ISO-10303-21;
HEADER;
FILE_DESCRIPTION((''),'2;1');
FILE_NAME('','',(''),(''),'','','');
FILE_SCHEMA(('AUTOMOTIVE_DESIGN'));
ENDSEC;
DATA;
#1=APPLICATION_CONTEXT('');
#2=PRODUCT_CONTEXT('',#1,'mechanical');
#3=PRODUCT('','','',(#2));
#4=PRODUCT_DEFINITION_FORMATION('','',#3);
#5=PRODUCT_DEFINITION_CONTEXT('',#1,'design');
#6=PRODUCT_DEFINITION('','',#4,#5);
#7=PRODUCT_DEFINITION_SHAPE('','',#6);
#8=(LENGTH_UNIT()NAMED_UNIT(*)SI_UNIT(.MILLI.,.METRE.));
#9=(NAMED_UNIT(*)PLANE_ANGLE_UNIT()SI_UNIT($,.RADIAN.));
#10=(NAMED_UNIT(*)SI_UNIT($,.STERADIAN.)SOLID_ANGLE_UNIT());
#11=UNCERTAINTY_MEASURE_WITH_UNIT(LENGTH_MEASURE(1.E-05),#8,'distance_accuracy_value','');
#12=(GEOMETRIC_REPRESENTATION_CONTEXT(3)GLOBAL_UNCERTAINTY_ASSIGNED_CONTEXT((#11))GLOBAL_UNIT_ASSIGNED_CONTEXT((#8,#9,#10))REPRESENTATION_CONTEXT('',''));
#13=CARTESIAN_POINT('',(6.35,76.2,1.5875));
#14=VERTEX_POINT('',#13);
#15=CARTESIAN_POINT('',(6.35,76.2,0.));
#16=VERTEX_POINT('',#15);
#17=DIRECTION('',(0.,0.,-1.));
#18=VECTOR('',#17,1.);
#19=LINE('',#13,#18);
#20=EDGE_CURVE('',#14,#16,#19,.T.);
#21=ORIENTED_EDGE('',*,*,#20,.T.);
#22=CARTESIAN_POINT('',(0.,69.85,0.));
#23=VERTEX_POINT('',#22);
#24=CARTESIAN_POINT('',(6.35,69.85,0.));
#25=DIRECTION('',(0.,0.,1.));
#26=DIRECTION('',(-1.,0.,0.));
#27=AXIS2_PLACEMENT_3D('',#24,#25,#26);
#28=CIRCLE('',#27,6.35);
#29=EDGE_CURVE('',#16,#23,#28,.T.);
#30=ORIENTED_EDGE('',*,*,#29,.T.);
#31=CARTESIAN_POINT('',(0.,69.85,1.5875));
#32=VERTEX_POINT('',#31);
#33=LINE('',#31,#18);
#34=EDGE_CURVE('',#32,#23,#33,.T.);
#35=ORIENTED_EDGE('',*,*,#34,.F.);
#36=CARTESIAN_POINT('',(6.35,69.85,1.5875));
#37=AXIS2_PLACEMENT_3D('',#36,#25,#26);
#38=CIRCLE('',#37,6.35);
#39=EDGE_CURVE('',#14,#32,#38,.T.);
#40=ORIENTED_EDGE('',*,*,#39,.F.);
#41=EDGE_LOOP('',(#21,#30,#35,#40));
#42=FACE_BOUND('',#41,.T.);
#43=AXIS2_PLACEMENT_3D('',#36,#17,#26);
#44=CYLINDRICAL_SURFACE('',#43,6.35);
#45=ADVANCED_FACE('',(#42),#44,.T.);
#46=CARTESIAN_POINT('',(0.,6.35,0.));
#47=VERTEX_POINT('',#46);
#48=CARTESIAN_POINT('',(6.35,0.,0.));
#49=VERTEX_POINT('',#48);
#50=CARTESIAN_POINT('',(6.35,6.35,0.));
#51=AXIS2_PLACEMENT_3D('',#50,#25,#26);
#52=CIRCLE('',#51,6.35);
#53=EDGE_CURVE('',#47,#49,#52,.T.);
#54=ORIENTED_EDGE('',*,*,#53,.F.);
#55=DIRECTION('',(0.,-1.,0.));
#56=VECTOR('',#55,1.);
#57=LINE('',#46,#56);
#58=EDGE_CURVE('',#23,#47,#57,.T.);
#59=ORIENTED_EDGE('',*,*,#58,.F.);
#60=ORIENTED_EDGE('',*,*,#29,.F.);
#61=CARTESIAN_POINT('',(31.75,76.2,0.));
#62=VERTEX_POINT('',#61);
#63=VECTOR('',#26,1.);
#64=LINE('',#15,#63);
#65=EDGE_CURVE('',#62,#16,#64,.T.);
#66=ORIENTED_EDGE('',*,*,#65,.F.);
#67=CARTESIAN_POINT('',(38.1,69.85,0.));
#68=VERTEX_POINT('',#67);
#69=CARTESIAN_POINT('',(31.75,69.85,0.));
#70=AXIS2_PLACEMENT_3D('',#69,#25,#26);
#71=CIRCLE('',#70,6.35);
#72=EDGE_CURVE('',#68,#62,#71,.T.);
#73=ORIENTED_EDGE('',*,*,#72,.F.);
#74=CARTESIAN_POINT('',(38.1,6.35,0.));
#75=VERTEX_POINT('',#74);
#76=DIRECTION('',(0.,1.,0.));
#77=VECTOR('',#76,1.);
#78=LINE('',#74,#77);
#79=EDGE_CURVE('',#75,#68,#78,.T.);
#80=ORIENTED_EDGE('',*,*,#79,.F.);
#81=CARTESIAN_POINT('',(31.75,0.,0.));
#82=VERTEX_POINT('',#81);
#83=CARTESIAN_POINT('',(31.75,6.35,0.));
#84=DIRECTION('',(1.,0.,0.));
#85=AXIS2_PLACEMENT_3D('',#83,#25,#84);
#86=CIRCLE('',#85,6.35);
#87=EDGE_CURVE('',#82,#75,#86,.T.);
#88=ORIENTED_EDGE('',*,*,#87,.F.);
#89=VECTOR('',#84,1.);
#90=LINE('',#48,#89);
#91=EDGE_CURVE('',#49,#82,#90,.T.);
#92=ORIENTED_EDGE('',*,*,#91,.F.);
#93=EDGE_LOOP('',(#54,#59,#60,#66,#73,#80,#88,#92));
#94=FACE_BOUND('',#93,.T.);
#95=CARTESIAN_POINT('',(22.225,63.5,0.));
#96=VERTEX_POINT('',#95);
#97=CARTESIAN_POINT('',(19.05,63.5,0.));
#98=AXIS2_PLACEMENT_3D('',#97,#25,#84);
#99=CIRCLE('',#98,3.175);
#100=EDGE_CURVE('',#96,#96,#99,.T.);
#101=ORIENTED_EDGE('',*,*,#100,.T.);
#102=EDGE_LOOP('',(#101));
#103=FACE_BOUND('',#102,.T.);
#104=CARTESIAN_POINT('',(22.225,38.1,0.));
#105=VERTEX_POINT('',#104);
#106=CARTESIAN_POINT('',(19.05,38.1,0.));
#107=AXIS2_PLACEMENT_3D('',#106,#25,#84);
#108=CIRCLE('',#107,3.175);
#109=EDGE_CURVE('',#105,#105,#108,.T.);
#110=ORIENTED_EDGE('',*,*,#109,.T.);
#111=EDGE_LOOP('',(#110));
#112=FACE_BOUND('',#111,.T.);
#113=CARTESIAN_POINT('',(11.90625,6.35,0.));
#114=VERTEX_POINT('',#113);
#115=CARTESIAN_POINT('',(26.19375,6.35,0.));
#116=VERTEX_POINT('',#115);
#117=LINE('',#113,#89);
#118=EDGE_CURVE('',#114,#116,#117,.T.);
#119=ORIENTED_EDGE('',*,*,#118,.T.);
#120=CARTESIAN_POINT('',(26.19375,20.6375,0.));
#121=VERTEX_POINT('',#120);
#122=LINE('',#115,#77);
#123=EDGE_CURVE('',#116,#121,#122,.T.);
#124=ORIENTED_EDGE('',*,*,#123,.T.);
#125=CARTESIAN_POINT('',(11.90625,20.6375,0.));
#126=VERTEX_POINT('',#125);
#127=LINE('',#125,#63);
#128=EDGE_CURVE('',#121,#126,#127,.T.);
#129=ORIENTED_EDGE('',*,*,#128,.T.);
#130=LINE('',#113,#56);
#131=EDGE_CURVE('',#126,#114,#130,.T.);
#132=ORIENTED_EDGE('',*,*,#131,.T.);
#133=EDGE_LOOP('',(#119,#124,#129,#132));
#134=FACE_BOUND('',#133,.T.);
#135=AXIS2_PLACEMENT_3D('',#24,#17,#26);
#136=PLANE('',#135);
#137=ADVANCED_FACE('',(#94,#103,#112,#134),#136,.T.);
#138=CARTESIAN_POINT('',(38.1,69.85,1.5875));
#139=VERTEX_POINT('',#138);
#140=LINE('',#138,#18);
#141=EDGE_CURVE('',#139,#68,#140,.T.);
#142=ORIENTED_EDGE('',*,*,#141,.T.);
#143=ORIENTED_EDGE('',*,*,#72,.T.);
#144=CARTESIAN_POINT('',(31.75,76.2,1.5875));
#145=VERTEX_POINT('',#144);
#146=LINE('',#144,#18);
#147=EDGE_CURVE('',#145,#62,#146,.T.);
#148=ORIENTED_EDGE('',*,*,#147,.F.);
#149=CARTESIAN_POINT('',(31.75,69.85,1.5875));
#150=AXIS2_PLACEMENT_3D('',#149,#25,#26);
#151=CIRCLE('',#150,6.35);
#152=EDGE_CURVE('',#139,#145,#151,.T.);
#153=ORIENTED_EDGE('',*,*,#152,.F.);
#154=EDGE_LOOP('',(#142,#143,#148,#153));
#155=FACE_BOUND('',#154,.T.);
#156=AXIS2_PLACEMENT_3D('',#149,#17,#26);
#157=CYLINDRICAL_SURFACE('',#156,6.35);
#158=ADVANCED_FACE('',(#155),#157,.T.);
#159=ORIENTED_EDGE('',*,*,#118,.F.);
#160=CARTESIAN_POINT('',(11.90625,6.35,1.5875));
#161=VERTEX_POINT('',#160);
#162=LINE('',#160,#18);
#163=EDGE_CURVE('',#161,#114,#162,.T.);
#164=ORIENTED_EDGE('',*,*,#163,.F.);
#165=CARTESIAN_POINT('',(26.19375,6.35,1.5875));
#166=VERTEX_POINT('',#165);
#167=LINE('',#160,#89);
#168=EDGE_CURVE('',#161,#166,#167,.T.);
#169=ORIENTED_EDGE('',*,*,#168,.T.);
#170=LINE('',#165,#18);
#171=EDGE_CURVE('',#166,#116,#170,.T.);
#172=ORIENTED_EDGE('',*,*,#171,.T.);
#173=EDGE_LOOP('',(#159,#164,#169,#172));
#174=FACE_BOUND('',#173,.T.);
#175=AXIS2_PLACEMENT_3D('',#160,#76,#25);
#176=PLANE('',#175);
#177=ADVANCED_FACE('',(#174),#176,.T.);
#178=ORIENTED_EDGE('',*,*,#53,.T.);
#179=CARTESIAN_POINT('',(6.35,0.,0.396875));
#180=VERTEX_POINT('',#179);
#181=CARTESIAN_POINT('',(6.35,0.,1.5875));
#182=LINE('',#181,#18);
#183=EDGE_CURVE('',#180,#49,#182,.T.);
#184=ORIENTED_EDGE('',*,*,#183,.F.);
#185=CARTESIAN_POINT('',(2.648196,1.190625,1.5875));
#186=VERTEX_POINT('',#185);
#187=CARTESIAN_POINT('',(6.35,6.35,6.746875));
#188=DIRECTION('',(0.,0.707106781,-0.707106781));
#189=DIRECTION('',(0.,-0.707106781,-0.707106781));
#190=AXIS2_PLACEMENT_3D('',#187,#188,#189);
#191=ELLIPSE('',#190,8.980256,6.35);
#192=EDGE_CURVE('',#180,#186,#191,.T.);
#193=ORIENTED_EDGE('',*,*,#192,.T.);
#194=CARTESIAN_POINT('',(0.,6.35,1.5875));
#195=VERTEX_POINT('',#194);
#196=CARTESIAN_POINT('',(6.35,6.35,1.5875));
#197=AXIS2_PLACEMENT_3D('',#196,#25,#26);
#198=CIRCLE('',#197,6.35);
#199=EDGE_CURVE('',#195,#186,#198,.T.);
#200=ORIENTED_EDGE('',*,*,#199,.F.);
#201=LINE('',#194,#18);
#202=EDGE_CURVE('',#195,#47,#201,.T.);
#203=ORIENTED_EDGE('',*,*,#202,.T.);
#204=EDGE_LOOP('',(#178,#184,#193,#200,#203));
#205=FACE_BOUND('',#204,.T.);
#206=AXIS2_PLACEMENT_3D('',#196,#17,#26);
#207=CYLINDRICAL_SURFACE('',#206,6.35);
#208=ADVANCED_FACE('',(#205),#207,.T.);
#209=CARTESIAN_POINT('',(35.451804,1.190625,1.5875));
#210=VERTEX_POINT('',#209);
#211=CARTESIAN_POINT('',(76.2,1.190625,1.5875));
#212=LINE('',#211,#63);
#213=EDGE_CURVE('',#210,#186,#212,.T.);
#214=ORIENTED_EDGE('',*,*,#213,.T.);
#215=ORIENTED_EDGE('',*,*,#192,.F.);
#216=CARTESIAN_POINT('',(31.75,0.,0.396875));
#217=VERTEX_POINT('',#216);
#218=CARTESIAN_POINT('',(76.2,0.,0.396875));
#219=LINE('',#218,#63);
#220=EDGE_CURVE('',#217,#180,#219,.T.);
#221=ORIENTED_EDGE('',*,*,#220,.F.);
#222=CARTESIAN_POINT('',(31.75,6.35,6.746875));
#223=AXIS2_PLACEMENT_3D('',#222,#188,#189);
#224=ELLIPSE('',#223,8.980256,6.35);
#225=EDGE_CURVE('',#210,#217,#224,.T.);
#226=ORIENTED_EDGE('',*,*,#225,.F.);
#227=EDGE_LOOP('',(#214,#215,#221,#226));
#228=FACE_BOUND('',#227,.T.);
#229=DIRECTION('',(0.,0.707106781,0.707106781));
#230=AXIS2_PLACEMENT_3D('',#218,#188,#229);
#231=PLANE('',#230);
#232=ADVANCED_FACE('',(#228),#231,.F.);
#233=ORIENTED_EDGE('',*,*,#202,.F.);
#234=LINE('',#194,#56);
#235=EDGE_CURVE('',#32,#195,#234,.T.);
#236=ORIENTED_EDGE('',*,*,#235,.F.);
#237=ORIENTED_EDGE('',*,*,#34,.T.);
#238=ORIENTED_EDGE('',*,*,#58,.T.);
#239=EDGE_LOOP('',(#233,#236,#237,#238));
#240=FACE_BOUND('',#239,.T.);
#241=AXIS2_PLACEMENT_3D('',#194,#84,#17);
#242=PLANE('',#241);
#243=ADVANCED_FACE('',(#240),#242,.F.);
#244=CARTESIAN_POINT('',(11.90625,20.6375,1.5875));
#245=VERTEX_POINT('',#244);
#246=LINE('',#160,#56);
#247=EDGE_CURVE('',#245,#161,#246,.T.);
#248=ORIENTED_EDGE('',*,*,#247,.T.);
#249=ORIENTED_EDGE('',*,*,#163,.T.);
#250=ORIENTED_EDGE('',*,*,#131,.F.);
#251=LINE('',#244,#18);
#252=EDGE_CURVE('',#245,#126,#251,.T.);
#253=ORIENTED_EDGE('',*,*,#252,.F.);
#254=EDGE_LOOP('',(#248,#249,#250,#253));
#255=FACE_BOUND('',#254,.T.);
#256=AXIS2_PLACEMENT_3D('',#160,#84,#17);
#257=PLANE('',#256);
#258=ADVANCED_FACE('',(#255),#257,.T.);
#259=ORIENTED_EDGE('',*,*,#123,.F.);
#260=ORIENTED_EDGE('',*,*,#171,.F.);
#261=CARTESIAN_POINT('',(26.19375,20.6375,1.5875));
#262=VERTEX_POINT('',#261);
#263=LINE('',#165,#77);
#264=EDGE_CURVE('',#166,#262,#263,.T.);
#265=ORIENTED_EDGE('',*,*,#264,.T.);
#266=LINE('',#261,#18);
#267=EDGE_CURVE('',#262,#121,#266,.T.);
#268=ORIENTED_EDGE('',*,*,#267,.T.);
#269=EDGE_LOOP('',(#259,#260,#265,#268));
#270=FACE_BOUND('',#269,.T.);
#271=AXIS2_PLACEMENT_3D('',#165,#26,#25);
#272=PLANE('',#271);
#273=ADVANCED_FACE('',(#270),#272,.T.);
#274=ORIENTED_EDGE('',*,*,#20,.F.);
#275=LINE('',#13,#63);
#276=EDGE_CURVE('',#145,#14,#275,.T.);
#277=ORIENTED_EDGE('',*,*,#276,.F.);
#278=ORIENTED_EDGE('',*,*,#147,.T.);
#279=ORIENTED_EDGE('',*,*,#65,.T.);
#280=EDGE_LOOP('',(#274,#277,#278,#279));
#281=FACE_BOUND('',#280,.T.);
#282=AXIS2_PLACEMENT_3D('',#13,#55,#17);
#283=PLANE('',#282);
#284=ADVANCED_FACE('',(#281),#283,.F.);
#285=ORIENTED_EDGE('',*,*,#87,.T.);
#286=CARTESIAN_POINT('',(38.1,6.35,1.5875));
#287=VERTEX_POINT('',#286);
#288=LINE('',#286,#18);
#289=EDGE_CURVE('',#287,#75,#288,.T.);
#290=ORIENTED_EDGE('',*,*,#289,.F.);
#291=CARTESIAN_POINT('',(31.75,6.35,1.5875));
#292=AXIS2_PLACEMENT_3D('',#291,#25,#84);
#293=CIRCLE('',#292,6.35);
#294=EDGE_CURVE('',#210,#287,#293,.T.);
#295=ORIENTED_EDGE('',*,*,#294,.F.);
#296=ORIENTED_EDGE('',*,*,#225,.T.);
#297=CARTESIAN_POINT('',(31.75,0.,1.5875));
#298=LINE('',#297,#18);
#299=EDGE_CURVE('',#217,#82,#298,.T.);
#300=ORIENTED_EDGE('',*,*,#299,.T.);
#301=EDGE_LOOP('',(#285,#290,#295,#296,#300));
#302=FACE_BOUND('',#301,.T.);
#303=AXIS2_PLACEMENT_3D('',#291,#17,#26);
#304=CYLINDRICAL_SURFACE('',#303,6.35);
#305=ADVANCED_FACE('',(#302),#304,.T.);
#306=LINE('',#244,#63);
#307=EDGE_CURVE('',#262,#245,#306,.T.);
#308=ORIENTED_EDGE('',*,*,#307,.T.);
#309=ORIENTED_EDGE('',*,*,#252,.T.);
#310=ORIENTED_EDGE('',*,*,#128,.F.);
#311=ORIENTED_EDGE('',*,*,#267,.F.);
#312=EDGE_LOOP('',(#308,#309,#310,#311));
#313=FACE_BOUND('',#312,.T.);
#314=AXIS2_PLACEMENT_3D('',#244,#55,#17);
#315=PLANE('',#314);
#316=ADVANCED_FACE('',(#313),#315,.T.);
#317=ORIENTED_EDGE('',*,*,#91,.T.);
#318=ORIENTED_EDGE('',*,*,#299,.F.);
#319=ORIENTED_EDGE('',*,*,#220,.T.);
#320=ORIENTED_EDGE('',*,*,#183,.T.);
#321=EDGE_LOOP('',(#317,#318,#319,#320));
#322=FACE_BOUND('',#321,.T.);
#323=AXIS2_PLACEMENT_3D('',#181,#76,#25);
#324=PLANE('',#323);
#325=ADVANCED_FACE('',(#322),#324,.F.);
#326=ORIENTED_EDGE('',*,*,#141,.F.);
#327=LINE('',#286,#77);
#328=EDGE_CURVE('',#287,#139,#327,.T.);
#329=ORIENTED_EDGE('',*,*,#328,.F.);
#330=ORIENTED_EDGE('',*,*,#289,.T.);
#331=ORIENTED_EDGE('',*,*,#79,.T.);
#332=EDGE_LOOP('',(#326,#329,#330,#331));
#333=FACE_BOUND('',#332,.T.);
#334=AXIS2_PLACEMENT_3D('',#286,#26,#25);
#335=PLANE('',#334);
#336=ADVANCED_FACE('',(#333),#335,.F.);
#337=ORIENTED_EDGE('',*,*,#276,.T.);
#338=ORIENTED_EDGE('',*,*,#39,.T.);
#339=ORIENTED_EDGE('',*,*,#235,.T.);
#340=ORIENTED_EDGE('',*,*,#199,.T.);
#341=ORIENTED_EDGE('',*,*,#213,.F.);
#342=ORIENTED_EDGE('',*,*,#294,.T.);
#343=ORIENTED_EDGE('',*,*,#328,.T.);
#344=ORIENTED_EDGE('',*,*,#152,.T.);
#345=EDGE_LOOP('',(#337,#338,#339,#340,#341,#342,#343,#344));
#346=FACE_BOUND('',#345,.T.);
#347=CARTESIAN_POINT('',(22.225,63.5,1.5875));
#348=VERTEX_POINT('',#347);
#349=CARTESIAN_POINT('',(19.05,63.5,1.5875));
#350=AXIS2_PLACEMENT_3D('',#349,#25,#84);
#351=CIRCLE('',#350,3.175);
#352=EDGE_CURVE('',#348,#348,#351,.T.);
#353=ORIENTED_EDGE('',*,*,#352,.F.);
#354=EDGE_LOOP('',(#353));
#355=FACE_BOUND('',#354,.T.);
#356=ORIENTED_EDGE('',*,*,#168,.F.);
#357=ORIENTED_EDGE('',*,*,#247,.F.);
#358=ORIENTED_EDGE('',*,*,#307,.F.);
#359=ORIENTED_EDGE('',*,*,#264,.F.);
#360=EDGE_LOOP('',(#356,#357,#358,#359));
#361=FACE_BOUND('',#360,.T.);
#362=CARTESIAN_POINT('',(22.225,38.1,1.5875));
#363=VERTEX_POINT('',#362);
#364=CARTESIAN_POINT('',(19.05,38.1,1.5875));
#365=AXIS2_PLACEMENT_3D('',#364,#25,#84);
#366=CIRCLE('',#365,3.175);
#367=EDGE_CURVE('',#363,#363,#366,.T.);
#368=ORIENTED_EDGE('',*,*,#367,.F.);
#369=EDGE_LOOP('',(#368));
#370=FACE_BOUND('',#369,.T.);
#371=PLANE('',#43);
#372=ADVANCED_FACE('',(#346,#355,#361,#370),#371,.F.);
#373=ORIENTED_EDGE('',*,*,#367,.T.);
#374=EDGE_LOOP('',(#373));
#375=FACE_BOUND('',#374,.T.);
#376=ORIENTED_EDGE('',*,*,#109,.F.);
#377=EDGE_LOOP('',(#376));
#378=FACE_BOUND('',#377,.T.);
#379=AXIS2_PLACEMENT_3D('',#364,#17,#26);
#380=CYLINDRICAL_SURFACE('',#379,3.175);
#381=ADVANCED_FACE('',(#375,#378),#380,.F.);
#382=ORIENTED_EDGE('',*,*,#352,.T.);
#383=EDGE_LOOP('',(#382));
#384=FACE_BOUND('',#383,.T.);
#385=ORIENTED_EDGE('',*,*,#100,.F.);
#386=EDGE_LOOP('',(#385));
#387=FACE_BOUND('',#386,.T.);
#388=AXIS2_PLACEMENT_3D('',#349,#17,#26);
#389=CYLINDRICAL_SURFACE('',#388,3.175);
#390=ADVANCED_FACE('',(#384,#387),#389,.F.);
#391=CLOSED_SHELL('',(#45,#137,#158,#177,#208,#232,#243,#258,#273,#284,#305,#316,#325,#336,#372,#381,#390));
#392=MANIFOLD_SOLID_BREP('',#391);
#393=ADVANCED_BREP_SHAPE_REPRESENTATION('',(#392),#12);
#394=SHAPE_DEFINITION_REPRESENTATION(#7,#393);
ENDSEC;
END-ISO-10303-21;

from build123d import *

# Parameters (mm, degrees)
SKETCH1_R           = 3.175
SKETCH1_W           = 14.2875
SKETCH1_H           = 14.2875
BOSS_EXTRUDE1_DEPTH = 1.5875
CUT_EXTRUDE1_DEPTH  = 76.2


with BuildPart() as part:
    # Sketch1 → Boss-Extrude1 (new body)
    with BuildSketch(Plane.XY):
        with BuildLine():
            Line((6.35, 0), (31.75, 0))
            ThreePointArc((31.75, 0), (36.240128061, 1.859871939), (38.1, 6.35))
            Line((38.1, 6.35), (38.1, 69.85))
            ThreePointArc((38.1, 69.85), (36.240128061, 74.340128061), (31.75, 76.2))
            Line((31.75, 76.2), (6.35, 76.2))
            ThreePointArc((6.35, 76.2), (1.859871939, 74.340128061), (0, 69.85))
            Line((0, 69.85), (0, 6.35))
            ThreePointArc((0, 6.35), (1.859871939, 1.859871939), (6.35, 0))
        make_face()
        with Locations((19.05, 38.1)):
            Circle(SKETCH1_R, mode=Mode.SUBTRACT)
        with Locations((19.05, 63.5)):
            Circle(SKETCH1_R, mode=Mode.SUBTRACT)
        with Locations((19.05, 13.49375)):
            Rectangle(SKETCH1_W, SKETCH1_H, mode=Mode.SUBTRACT)
    extrude(amount=BOSS_EXTRUDE1_DEPTH)

    # Sketch3 → Cut-Extrude1 (cut)
    with BuildSketch(Plane.ZY):
        Polygon((0.396875, 0), (1.5875, 1.190625), (1.5875, 0), align=None)
    extrude(amount=-CUT_EXTRUDE1_DEPTH, mode=Mode.SUBTRACT)


solid = part.part
